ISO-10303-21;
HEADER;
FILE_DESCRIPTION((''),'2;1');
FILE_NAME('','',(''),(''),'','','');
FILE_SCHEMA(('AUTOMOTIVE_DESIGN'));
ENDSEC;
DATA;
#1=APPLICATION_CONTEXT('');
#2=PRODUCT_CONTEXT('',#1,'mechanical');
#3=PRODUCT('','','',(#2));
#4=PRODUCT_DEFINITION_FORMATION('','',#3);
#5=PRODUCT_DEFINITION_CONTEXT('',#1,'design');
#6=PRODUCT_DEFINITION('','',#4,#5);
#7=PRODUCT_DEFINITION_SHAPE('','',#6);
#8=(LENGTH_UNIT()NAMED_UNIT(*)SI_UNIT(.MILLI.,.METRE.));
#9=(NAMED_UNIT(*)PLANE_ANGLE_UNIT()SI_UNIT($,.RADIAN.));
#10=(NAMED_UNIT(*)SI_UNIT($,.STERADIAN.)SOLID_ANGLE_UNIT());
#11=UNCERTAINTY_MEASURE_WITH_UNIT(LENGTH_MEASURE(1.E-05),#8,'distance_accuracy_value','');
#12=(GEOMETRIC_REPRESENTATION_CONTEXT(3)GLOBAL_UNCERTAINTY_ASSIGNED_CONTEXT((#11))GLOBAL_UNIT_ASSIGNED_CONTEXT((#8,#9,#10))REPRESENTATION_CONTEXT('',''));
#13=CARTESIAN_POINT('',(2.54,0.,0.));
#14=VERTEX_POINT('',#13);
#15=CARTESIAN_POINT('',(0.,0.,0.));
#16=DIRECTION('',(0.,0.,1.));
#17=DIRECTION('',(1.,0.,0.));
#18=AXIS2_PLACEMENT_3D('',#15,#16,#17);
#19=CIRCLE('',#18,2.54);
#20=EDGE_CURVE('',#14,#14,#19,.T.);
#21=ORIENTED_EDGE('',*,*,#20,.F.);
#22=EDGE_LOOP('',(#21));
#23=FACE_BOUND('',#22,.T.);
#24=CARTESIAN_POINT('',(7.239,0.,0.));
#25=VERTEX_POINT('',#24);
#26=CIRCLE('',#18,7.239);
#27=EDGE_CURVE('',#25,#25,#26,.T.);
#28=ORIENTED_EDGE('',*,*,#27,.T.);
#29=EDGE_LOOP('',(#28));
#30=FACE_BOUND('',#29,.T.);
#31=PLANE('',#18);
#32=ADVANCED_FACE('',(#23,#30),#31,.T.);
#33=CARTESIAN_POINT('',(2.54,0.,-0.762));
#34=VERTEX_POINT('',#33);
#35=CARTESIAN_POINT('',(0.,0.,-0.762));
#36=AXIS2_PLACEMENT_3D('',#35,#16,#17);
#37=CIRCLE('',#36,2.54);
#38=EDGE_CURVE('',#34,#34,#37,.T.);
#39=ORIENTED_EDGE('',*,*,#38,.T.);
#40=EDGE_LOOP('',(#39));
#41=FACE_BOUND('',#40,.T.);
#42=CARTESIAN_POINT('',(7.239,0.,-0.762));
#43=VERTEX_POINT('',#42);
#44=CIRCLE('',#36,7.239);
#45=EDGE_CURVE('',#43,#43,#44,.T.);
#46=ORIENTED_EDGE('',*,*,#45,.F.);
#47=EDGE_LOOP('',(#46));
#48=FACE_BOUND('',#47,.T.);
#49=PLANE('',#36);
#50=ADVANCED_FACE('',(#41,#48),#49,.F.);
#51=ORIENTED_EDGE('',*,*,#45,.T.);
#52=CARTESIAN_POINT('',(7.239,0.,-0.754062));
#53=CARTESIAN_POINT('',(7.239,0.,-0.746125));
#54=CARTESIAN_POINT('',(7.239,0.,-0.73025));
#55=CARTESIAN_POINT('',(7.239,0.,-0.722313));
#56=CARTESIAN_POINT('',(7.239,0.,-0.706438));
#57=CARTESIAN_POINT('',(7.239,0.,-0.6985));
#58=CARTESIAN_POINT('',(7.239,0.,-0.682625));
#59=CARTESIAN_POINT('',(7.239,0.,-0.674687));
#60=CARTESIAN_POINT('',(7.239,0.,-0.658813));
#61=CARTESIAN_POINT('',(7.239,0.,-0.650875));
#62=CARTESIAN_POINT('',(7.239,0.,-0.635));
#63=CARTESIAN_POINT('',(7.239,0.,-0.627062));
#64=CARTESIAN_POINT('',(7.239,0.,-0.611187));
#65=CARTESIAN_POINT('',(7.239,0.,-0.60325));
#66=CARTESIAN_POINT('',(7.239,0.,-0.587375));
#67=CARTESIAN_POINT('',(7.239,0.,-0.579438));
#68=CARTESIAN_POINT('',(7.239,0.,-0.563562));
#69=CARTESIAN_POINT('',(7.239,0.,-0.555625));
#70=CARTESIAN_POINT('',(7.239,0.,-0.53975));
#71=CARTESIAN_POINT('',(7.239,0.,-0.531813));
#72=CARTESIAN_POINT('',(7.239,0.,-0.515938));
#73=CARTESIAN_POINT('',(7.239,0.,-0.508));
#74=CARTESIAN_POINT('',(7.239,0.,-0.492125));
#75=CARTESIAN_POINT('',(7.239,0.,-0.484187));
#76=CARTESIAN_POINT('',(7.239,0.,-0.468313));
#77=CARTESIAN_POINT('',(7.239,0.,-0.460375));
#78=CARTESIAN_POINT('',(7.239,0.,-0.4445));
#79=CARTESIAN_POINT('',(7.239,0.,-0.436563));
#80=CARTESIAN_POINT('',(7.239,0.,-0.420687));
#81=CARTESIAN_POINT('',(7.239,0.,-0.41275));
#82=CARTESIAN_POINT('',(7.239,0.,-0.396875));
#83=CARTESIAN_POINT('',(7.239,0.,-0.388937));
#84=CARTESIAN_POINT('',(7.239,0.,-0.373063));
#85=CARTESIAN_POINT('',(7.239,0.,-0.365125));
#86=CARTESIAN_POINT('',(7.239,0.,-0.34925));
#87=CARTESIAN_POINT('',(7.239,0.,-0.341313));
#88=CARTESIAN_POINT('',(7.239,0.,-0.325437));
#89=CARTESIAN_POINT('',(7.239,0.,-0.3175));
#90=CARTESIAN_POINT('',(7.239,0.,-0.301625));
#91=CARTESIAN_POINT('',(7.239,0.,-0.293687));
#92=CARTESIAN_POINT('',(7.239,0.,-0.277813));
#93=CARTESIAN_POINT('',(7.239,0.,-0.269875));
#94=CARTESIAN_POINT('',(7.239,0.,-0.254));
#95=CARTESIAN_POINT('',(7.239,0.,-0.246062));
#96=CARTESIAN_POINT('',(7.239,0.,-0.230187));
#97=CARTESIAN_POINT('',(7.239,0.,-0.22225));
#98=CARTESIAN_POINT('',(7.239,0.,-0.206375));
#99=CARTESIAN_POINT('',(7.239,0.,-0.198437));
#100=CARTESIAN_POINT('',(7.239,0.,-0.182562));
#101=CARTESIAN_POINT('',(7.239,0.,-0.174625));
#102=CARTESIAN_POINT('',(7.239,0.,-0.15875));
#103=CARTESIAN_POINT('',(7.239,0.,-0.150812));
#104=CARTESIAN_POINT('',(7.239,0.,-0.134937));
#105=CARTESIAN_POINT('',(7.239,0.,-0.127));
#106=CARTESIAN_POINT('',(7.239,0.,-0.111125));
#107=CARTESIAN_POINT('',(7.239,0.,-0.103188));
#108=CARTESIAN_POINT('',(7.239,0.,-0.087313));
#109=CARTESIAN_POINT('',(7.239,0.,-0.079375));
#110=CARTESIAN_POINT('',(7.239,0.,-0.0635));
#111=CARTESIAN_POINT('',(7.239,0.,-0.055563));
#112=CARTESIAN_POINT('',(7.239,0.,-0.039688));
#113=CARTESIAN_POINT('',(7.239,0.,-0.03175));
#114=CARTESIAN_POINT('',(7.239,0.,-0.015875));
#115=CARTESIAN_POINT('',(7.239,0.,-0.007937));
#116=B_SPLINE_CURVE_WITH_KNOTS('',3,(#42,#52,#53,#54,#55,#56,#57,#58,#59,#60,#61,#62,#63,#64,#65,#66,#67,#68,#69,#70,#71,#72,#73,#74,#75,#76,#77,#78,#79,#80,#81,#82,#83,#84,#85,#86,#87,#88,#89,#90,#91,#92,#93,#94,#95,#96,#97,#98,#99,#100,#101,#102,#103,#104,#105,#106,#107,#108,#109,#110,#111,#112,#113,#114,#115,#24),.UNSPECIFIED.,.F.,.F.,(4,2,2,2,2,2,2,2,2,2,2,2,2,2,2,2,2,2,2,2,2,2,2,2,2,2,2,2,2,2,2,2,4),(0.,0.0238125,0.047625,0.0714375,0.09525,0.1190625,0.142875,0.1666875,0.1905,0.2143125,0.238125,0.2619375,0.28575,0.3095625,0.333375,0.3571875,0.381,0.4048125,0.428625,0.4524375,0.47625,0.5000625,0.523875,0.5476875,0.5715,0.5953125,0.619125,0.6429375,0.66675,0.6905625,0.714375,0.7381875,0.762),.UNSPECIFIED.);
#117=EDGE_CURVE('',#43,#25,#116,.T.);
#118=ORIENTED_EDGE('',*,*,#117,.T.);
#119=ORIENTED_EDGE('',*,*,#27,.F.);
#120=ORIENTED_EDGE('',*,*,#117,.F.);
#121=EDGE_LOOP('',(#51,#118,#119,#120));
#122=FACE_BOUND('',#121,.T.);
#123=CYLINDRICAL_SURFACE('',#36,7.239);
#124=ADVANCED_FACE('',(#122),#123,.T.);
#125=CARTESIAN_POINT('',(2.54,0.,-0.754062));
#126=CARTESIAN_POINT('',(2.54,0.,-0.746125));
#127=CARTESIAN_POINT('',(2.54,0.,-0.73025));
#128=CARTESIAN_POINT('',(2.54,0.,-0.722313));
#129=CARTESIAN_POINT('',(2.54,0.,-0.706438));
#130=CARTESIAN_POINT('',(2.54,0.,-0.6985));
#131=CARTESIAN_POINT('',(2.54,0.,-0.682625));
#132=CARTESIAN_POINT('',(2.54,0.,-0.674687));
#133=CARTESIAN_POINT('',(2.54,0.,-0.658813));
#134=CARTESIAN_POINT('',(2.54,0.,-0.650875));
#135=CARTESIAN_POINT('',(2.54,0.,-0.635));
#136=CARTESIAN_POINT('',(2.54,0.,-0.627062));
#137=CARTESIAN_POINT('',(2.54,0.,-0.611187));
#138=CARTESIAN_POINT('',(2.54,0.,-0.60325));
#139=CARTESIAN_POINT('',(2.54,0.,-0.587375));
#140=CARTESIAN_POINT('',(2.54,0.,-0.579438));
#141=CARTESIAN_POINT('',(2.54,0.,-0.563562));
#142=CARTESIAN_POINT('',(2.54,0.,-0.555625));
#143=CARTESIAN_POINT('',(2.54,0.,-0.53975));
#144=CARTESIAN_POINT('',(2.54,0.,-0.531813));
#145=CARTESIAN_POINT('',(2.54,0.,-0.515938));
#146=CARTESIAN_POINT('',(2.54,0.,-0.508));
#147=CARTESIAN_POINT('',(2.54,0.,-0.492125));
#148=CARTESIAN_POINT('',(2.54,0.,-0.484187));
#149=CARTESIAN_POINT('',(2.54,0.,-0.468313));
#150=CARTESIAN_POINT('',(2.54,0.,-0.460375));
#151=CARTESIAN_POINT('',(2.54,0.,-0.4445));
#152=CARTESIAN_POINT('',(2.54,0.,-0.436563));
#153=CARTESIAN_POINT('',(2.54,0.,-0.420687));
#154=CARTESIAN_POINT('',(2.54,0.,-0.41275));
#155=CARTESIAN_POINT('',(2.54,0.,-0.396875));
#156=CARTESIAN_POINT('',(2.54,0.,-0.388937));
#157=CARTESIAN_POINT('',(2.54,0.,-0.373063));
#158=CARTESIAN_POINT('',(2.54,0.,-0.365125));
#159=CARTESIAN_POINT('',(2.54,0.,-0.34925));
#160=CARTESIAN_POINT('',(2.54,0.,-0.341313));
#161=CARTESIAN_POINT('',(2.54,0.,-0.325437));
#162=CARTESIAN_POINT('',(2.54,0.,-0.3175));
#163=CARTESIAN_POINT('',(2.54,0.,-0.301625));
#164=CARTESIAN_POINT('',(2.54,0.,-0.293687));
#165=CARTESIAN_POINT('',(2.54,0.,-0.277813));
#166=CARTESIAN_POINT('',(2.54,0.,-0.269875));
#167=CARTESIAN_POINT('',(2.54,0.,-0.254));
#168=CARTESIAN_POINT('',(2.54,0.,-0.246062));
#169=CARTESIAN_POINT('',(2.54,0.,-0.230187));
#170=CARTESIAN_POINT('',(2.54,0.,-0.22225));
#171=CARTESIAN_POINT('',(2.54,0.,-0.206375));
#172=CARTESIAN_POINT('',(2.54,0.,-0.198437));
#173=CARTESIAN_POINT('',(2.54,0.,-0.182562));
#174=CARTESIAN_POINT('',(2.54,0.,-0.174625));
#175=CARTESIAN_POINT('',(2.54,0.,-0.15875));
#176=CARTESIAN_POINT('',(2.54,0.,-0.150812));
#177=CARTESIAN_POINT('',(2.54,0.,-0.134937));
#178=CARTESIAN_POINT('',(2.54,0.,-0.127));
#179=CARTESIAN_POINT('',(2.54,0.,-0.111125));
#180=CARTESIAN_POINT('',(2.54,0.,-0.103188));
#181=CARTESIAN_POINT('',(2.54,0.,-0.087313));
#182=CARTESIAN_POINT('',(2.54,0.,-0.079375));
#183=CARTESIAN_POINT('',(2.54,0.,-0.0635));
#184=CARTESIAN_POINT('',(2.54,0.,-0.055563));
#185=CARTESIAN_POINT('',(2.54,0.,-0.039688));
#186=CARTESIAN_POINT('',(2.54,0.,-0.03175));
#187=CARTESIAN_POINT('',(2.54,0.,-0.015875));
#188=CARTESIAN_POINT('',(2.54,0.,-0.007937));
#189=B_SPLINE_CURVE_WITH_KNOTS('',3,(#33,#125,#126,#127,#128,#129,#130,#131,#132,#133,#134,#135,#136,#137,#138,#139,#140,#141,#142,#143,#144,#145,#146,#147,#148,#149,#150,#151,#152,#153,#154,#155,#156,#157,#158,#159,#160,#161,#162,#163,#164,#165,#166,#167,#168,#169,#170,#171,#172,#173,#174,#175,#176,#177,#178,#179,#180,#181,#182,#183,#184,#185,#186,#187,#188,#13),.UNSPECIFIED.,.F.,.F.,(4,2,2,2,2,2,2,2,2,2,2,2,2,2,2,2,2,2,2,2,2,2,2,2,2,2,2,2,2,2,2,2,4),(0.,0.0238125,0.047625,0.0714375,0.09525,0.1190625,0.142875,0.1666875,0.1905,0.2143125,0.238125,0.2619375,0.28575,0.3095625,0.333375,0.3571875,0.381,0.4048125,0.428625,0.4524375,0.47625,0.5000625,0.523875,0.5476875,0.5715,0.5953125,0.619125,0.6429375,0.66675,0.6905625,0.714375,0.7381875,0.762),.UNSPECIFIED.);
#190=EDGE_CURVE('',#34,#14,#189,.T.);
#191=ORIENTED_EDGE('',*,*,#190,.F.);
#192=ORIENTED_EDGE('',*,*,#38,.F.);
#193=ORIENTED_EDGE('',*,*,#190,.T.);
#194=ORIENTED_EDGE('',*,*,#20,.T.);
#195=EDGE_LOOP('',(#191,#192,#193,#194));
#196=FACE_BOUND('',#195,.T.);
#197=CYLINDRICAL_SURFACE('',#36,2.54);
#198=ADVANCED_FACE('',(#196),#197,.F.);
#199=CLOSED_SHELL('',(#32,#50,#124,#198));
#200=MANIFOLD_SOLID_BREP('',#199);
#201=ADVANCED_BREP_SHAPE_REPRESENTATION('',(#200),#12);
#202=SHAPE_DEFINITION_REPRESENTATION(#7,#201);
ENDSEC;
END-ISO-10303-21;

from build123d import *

# Parameters (mm, degrees)
SKETCH1_R      = 7.239
SKETCH1_R_2    = 2.54
EXTRUDE1_DEPTH = 0.762


with BuildPart() as part:
    # Sketch1 → Extrude1 (new body)
    with BuildSketch(Plane.XY):
        Circle(SKETCH1_R)
        Circle(SKETCH1_R_2, mode=Mode.SUBTRACT)
    extrude(amount=-EXTRUDE1_DEPTH)


solid = part.part
